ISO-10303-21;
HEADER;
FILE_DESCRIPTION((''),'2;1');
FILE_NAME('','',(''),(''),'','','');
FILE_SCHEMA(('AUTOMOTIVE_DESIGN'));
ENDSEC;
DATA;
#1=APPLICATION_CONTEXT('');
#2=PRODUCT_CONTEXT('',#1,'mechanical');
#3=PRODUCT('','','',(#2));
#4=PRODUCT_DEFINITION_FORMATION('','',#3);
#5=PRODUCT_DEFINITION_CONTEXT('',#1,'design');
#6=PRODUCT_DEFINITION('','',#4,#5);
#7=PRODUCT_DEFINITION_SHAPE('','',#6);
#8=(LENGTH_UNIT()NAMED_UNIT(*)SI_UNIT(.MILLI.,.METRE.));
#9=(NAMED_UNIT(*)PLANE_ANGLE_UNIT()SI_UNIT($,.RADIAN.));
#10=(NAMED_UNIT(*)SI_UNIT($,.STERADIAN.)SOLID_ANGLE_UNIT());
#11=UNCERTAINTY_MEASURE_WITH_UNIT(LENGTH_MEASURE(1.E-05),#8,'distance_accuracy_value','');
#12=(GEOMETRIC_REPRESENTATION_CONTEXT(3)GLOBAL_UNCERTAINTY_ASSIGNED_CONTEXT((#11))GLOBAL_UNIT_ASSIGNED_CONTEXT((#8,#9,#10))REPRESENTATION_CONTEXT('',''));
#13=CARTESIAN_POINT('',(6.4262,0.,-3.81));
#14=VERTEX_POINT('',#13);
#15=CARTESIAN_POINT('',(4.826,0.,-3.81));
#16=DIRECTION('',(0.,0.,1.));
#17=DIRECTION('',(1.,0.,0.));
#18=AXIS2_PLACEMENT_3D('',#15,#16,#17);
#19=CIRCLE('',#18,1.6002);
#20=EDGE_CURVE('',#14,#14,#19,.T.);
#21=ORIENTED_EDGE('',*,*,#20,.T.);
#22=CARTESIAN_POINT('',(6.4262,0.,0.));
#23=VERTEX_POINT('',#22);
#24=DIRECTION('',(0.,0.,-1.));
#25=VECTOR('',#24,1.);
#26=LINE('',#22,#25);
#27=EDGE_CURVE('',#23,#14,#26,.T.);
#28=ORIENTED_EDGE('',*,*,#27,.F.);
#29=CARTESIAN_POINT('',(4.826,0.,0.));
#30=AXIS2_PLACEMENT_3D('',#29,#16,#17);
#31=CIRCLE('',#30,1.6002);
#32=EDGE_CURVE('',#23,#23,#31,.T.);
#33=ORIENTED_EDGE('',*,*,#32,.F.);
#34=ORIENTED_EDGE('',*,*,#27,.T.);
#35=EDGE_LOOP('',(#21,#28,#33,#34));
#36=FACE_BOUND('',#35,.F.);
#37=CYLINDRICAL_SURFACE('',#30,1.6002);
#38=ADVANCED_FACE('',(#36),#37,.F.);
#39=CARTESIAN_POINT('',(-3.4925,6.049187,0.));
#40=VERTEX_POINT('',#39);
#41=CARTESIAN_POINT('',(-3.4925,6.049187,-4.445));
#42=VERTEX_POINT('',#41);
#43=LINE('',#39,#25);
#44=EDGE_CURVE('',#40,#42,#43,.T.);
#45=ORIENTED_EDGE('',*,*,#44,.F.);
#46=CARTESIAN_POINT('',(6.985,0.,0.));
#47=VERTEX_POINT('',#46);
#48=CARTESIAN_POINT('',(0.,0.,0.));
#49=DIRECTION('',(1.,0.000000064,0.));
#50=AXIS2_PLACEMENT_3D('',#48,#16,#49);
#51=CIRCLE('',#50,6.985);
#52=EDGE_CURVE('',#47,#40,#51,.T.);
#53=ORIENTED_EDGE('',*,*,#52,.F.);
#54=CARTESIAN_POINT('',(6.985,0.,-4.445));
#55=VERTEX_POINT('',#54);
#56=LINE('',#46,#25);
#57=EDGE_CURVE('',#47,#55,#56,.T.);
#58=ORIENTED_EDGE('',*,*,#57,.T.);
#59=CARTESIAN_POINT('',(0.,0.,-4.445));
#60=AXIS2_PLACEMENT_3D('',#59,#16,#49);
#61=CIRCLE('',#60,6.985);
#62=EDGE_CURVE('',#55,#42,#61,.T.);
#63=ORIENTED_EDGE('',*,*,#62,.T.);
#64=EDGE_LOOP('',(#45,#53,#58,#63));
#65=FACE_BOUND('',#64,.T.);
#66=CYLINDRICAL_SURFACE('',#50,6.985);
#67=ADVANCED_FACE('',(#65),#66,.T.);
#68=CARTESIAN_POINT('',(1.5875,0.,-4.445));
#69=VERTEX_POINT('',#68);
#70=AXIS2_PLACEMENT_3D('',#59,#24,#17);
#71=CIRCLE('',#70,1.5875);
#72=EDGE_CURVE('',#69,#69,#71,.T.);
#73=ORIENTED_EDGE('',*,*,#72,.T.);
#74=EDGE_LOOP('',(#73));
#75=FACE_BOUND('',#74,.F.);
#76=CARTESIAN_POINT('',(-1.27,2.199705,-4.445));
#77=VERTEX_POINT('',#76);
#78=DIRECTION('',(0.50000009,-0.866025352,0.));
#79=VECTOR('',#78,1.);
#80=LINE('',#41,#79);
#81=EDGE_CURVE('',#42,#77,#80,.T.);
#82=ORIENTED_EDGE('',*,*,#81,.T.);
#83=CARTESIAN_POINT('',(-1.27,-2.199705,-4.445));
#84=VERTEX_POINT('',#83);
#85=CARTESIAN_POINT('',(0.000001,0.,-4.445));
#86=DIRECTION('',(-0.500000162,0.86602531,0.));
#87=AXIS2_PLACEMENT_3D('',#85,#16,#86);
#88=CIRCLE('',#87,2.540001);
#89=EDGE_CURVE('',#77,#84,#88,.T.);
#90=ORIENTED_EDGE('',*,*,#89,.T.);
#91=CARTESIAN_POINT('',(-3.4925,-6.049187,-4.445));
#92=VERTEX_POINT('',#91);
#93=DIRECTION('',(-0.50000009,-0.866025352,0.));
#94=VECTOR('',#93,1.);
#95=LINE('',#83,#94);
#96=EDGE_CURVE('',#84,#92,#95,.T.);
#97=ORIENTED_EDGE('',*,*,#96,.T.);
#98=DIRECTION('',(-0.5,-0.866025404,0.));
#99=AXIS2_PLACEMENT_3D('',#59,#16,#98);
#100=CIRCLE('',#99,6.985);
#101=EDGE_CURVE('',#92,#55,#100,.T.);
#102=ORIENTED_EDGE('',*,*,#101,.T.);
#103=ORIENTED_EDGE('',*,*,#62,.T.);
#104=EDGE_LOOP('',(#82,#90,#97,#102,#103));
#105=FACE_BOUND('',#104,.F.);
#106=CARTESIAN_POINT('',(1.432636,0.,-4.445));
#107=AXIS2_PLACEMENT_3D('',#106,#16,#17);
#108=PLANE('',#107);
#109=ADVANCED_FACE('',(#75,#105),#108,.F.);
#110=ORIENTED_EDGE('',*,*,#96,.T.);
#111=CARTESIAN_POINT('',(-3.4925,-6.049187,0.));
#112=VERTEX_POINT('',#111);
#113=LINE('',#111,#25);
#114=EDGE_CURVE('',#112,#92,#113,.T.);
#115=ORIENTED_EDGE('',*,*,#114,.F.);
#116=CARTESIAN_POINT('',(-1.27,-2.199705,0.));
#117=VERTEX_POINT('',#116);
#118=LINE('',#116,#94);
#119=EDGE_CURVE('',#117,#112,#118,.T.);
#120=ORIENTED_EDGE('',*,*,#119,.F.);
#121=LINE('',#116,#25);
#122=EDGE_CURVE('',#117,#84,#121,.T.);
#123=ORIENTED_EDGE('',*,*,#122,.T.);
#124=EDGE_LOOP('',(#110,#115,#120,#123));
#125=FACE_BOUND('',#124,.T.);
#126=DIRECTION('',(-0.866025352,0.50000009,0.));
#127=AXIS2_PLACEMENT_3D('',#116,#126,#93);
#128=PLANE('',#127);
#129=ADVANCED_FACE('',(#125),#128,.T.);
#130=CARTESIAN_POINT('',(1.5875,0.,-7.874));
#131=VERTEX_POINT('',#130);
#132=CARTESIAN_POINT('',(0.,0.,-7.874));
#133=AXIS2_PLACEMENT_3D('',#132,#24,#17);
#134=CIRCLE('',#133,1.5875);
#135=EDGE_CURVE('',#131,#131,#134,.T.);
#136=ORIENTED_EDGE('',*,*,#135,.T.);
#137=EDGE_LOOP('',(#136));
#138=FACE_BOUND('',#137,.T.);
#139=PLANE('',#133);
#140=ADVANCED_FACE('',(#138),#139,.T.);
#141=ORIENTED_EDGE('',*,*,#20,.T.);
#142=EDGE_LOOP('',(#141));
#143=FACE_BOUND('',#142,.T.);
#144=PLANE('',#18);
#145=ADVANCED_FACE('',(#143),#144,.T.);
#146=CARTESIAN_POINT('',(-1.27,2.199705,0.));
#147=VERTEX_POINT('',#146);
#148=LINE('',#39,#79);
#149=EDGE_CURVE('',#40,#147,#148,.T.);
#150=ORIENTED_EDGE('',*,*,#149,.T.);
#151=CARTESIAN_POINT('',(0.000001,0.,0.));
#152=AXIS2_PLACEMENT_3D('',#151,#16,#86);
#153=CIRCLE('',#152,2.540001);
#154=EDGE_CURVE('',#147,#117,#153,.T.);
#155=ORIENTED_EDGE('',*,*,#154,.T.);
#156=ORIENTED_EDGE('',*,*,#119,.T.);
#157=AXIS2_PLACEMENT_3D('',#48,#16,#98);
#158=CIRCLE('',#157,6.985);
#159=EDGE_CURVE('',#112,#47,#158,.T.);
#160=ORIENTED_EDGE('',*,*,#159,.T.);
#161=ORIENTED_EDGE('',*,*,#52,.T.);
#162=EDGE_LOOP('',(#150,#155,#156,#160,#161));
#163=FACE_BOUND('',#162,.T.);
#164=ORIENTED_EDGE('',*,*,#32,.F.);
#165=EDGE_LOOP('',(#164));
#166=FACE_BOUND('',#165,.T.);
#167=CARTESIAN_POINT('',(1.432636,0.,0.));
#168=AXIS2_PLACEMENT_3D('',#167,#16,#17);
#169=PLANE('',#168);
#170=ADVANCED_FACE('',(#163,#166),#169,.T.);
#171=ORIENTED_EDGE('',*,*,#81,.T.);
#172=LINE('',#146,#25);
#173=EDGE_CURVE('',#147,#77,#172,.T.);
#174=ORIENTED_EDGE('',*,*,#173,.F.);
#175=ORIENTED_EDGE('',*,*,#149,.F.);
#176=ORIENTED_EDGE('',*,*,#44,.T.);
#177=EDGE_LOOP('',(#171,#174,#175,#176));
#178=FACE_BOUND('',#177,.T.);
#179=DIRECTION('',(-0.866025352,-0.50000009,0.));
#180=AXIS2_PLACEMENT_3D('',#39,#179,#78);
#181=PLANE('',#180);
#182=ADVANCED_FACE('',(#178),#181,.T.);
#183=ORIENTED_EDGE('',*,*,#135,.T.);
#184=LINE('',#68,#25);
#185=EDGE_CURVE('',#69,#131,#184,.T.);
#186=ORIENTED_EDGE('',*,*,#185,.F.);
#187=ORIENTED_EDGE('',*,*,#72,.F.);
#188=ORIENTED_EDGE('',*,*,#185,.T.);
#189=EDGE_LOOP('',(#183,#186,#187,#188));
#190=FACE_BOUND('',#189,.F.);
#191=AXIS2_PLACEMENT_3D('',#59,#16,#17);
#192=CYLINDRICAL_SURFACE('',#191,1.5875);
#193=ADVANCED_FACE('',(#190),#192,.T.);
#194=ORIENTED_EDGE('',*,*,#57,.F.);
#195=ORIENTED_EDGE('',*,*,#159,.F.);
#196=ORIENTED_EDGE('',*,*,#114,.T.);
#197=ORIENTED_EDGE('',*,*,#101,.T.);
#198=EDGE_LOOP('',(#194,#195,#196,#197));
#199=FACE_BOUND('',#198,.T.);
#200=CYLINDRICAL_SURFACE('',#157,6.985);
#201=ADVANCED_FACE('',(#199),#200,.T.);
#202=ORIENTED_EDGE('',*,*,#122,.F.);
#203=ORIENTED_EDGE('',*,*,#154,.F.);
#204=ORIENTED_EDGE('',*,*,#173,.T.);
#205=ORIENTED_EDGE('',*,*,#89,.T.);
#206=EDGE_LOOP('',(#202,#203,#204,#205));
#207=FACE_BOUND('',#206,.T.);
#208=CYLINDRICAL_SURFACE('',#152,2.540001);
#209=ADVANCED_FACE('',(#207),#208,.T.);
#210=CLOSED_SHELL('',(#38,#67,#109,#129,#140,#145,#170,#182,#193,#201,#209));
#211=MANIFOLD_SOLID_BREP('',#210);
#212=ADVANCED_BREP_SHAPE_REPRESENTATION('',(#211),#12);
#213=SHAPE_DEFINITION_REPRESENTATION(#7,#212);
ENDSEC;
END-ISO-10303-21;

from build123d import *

# Parameters (mm, degrees)
F0_R     = 1.6002
F1_DEPTH = 4.445
F2_DEPTH = 3.81
F3_R     = 1.5875
F4_DEPTH = 3.429


with BuildPart() as f1:
    # F0 (on Top) → F1 (new body)
    with BuildSketch(Plane.XY):
        with BuildLine():
            ThreePointArc((-3.4925, -6.049187), (3.4925, -6.049187), (6.985, 0))
            ThreePointArc((6.985, 0), (3.4925, 6.049187), (-3.4925, 6.049187))
            Line((-3.4925, 6.049187), (-1.27, 2.199705))
            ThreePointArc((-1.27, 2.199705), (1.27, 2.199705), (2.54, 0))
            ThreePointArc((2.54, 0), (1.27, -2.199705), (-1.27, -2.199705))
            Line((-1.27, -2.199705), (-3.4925, -6.049187))
        make_face()
        with Locations((4.826, 0)):
            Circle(F0_R, mode=Mode.SUBTRACT)
        with BuildLine():
            Line((0, 0), (-1.27, 2.199705))
            ThreePointArc((-1.27, 2.199705), (-2.54, 0), (-1.27, -2.199705))
            Line((-1.27, -2.199705), (0, 0))
        make_face()
        with Locations((4.826, 0)):
            Circle(F0_R)
        with BuildLine():
            ThreePointArc((2.54, 0), (1.27, 2.199705), (-1.27, 2.199705))
            Line((-1.27, 2.199705), (0, 0))
            Line((0, 0), (-1.27, -2.199705))
            ThreePointArc((-1.27, -2.199705), (1.27, -2.199705), (2.54, 0))
        make_face()
    extrude(amount=-F1_DEPTH)

    # F0 (on Top) → F2 (cut)
    with BuildSketch(Plane.XY):
        with Locations((4.826, 0)):
            Circle(F0_R)
    extrude(amount=-F2_DEPTH, mode=Mode.SUBTRACT)

    # F3 (on face) → F4 (join)
    with BuildSketch(Plane(origin=(0, 0, -4.445), x_dir=(1, 0, 0), z_dir=(0, 0, -1))):
        Circle(F3_R)
    extrude(amount=F4_DEPTH)


solid = f1.part
